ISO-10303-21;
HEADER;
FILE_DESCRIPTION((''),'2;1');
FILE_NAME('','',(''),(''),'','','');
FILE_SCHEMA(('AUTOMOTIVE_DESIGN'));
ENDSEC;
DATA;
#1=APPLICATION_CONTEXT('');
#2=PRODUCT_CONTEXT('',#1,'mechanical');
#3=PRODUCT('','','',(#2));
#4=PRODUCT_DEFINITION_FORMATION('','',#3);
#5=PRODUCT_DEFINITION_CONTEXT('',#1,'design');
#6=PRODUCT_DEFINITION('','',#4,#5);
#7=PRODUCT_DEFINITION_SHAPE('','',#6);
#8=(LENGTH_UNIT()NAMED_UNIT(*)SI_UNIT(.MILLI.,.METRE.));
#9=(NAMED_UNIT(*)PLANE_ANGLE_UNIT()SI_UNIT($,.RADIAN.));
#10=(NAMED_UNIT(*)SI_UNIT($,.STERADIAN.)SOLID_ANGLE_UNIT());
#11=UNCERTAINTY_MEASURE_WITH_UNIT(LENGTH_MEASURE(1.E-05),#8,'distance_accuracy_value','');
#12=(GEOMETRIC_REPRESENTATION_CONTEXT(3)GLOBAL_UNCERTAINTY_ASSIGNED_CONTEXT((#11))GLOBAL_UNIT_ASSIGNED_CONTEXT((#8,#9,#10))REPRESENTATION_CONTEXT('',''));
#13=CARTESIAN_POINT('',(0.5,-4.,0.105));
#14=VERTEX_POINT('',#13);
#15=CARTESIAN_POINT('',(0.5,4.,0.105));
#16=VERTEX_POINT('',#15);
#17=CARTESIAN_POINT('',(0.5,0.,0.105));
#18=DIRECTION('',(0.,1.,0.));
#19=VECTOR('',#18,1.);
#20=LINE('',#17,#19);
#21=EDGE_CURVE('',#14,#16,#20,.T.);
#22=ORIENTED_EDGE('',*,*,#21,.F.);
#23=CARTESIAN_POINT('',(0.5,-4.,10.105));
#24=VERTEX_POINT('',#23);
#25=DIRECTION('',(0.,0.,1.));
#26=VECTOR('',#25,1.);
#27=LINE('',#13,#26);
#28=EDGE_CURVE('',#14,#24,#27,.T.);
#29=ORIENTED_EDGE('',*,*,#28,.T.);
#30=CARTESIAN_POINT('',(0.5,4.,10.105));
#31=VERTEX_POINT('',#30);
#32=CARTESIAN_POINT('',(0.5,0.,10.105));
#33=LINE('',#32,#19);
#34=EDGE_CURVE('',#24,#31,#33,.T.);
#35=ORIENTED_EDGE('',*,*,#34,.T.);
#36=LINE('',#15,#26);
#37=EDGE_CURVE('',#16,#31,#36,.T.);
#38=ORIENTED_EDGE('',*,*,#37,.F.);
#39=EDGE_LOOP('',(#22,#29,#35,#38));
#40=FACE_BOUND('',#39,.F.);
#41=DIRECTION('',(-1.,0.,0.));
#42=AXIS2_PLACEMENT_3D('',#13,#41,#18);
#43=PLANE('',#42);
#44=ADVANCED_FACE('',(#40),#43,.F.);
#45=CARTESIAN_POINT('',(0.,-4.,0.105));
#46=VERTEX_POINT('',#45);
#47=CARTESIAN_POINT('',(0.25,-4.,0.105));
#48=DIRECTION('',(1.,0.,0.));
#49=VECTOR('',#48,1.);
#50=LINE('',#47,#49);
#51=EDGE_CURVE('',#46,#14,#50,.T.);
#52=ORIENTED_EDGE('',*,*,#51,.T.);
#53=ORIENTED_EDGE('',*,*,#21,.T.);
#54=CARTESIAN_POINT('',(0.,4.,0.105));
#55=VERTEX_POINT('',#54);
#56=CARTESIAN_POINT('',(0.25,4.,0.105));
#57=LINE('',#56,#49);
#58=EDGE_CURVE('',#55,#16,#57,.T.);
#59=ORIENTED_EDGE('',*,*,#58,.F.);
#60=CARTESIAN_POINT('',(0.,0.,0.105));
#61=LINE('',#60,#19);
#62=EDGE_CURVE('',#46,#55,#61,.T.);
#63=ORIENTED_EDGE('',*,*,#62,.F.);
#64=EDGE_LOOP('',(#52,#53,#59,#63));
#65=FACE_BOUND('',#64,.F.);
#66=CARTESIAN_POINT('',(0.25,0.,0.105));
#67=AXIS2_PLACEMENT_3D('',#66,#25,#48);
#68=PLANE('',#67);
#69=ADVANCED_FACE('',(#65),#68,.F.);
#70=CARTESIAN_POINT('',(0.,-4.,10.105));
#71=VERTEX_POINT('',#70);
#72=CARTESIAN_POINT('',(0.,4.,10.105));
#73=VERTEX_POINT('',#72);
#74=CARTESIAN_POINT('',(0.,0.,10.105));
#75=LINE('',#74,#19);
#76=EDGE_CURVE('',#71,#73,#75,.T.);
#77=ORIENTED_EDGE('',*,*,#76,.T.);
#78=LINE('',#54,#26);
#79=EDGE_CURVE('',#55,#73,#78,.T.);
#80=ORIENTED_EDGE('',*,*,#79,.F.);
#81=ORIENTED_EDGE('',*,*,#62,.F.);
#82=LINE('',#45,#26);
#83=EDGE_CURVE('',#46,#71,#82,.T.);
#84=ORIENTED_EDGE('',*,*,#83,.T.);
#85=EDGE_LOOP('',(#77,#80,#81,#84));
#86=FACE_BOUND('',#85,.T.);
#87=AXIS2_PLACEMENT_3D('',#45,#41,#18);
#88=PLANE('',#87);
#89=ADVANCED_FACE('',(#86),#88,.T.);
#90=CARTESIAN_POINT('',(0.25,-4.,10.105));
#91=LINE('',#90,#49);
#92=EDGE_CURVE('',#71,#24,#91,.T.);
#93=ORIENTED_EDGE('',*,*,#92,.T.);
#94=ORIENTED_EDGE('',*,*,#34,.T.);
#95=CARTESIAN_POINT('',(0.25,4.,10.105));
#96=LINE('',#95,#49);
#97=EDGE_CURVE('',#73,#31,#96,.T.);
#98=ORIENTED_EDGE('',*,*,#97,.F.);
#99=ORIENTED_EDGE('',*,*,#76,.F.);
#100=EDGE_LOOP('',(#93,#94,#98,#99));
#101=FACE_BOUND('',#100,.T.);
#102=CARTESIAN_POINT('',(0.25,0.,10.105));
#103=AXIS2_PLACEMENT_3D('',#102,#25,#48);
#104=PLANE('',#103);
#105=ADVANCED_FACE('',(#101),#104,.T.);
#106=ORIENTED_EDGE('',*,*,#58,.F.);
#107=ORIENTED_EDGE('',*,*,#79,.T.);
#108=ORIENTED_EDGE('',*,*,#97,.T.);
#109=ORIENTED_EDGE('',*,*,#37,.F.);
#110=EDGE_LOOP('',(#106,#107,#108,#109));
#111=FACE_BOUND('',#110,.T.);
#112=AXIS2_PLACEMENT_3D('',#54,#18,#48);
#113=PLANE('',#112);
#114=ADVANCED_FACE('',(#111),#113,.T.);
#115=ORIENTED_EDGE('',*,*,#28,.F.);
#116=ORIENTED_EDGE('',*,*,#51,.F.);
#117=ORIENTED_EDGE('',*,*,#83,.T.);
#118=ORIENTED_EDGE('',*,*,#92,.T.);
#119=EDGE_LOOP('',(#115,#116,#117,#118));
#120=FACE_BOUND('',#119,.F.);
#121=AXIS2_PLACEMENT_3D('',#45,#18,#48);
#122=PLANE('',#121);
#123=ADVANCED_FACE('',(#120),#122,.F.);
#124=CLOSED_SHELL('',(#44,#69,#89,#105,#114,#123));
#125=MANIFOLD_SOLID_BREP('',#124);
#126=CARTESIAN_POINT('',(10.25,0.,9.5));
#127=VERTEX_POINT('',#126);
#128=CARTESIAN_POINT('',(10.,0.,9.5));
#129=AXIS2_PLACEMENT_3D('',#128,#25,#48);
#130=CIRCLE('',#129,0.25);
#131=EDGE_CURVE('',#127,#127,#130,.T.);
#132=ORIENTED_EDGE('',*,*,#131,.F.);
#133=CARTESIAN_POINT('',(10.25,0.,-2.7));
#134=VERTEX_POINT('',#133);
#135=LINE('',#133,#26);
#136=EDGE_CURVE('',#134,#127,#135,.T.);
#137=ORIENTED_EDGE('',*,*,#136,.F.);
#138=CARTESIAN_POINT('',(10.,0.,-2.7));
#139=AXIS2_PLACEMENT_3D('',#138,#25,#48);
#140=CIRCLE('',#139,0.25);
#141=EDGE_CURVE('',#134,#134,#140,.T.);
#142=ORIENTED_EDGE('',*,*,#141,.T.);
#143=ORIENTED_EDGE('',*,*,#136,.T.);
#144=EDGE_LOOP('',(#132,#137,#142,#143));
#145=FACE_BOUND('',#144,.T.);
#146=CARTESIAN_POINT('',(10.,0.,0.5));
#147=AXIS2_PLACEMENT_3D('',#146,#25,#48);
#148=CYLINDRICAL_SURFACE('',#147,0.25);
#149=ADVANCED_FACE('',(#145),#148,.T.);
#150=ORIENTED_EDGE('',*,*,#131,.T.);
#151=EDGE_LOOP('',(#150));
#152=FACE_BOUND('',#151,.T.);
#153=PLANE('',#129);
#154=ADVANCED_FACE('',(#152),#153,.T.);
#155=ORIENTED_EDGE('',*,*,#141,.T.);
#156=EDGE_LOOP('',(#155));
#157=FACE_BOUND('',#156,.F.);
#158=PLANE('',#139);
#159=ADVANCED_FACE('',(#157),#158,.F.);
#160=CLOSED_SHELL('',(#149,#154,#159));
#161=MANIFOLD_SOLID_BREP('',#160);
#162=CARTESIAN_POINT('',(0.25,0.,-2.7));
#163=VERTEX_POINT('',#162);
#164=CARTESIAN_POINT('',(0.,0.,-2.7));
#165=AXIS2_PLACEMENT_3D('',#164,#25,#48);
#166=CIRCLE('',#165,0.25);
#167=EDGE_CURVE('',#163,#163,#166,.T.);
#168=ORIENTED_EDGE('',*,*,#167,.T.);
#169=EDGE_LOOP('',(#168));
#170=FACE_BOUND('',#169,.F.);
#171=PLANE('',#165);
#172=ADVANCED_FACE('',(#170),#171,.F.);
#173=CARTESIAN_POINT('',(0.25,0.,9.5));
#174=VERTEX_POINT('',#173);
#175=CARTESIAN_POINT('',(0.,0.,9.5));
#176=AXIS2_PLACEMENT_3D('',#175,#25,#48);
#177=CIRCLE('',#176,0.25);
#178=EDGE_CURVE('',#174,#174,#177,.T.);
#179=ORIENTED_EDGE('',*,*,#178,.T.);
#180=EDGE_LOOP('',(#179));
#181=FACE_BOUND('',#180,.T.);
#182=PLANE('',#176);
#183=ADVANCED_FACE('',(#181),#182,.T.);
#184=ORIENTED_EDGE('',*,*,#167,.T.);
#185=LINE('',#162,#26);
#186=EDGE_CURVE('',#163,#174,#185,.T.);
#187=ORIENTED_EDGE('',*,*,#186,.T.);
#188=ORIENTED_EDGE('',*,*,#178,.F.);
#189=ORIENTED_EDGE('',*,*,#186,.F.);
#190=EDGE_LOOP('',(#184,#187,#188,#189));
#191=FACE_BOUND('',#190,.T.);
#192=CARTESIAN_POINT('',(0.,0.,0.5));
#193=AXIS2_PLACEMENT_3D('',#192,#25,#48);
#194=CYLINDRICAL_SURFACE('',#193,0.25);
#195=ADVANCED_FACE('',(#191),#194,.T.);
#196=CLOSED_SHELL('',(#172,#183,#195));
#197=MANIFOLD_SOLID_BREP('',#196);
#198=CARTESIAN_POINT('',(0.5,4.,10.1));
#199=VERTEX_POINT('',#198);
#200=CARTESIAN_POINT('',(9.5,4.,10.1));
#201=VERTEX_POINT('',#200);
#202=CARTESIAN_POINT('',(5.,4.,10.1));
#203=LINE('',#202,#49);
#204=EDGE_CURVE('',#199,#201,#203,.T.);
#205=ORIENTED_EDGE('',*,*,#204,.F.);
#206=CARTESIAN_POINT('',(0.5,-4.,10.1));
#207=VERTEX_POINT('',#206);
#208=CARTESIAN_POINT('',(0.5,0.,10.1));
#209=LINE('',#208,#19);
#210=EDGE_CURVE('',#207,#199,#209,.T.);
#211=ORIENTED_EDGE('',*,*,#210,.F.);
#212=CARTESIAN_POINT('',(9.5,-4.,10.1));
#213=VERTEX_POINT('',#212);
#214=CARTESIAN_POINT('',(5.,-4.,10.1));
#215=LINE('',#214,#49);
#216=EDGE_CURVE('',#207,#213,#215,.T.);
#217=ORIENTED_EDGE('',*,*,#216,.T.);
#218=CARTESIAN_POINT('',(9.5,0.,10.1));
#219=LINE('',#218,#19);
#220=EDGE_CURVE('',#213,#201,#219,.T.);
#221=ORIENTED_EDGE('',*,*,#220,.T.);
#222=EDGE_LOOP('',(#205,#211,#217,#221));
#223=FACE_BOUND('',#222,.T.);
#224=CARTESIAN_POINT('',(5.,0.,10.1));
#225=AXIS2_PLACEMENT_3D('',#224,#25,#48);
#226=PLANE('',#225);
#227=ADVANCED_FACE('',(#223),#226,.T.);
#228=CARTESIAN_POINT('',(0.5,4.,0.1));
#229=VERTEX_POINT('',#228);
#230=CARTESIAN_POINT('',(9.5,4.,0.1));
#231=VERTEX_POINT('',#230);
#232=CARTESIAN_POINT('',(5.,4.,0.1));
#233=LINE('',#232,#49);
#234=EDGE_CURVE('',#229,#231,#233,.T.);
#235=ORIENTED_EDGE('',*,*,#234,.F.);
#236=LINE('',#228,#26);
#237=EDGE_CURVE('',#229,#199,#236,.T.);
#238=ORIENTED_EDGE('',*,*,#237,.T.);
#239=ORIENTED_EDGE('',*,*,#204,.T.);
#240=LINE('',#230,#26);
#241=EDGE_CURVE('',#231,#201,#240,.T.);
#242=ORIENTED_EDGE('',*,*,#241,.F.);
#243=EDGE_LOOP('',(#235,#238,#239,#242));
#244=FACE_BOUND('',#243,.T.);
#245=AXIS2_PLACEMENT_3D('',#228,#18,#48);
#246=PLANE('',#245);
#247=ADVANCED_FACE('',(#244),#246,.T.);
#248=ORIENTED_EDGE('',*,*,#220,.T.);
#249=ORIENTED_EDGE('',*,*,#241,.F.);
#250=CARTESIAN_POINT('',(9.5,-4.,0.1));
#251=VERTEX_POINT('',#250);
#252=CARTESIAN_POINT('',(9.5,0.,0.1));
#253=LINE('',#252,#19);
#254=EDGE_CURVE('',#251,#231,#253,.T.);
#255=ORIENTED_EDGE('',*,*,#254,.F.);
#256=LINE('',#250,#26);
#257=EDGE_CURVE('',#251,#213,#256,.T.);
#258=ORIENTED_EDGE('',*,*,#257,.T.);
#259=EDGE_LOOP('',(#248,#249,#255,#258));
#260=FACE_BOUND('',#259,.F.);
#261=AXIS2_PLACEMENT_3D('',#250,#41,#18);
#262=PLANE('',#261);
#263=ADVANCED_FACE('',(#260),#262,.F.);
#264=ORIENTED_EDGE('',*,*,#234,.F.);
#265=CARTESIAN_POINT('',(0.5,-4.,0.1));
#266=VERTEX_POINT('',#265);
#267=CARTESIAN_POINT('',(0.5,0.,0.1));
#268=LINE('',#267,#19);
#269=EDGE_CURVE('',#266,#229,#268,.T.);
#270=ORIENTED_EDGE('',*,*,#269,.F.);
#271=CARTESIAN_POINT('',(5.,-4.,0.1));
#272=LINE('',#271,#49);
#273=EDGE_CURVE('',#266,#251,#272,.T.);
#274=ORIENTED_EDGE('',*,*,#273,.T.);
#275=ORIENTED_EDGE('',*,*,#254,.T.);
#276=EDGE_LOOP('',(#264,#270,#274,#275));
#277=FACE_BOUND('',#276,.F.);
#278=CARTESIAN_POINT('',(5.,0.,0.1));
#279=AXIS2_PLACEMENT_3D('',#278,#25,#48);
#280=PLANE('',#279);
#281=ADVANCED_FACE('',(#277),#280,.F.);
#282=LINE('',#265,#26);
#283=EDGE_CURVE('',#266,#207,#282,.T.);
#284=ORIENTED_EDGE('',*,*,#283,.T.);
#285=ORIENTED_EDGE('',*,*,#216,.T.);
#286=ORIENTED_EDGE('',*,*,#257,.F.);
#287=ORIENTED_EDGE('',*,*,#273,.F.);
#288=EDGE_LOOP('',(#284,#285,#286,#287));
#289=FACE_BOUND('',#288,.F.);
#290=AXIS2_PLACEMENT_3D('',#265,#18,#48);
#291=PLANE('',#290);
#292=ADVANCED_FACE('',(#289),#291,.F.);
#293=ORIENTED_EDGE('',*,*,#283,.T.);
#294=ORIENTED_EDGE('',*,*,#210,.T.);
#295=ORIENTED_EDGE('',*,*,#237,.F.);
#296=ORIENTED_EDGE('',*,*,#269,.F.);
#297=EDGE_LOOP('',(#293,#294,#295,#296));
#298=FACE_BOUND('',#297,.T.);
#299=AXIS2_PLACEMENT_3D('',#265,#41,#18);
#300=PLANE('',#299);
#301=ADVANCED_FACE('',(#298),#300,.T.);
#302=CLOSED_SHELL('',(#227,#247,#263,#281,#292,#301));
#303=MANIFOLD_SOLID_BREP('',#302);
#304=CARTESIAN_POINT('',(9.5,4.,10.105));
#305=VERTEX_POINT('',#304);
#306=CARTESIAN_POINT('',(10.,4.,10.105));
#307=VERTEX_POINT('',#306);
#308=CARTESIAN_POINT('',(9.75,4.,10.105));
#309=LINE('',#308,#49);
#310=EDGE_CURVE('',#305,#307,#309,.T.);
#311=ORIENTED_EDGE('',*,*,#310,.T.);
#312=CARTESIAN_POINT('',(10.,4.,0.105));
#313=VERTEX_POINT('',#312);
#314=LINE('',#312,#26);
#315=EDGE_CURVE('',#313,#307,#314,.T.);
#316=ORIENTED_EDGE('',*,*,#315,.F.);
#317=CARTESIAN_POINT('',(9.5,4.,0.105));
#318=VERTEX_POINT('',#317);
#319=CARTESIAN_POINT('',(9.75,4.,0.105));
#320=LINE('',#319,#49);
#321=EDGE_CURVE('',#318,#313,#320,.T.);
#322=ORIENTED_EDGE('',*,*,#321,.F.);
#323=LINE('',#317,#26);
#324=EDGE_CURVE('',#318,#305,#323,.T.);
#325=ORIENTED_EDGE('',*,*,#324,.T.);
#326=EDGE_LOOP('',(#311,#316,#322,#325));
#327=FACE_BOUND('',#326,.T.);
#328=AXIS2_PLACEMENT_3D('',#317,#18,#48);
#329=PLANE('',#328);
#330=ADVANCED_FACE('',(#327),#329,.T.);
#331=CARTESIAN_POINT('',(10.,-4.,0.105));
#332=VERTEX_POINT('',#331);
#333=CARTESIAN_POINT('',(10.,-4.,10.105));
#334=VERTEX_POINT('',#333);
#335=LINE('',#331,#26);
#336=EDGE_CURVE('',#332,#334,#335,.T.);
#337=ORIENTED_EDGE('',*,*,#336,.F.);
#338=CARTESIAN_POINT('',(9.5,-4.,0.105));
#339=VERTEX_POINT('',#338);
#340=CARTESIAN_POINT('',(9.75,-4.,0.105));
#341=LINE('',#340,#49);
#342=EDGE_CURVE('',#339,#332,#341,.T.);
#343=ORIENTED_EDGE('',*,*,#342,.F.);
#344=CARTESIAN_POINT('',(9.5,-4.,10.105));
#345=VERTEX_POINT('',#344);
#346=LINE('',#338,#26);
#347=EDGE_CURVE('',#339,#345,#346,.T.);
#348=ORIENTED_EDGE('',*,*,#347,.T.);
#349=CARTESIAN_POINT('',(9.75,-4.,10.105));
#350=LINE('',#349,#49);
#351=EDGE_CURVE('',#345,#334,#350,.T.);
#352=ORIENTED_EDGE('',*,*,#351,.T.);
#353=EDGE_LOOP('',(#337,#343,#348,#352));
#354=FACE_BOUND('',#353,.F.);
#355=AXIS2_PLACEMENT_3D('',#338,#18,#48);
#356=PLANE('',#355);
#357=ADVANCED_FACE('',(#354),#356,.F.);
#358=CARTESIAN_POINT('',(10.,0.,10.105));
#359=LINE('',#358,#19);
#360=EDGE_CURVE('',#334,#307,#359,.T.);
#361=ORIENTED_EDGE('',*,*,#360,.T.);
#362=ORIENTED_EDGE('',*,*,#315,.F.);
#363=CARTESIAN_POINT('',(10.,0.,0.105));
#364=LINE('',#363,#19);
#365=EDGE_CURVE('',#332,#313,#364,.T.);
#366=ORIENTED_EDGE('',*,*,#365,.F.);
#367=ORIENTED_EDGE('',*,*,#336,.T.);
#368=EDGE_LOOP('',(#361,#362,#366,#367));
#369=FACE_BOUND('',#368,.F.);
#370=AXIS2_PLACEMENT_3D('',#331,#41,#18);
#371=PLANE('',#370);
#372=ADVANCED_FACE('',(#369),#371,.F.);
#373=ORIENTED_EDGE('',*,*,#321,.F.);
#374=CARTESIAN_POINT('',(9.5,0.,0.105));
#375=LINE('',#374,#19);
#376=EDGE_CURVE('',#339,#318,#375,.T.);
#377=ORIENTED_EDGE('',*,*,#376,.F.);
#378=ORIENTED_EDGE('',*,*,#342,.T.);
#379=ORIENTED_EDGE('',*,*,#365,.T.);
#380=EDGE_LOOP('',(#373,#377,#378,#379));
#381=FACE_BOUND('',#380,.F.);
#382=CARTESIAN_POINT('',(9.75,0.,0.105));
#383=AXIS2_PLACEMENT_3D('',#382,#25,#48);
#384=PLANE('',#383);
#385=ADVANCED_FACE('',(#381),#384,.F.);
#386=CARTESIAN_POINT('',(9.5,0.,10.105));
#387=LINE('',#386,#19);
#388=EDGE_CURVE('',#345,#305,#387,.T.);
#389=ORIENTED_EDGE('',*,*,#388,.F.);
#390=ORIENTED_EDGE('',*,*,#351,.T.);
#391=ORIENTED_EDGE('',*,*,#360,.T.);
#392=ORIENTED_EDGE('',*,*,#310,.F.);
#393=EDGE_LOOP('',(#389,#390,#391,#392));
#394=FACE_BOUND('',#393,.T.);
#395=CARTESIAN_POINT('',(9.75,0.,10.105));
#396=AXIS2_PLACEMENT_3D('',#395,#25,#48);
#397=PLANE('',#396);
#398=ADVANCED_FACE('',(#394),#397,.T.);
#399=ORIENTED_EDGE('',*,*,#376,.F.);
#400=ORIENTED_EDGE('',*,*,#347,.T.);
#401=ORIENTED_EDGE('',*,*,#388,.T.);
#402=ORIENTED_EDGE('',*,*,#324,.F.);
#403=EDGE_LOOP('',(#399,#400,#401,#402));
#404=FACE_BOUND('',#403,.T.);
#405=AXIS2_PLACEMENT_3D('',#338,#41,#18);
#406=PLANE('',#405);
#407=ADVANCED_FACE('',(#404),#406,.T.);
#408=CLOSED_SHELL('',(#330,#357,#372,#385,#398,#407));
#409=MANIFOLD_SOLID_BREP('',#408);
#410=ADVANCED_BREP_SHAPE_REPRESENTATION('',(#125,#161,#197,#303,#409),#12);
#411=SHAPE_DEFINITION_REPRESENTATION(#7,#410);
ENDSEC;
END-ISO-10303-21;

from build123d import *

# Parameters (mm, degrees)
SKETCH_W          = 9
SKETCH_H          = 8
PAD_DEPTH         = 10
SKETCH001_R       = 0.25
PAD001_DEPTH      = 9
PAD001_DEPTH_BACK = 3.2
SKETCH002_W       = 0.5
SKETCH002_H       = 8
PAD002_DEPTH      = 10


with BuildPart() as pad:
    # Sketch → Pad (new body)
    with BuildSketch(Plane.XY.offset(0.1)):
        with Locations((5, 0)):
            Rectangle(SKETCH_W, SKETCH_H)
    extrude(amount=PAD_DEPTH)


with BuildPart() as pad001:
    # Sketch001 → Pad001 (new body, two sides)
    with BuildSketch(Plane.XY.offset(0.5)) as pad001_sk:
        Circle(SKETCH001_R)
        with Locations((10, 0)):
            Circle(SKETCH001_R)
    extrude(amount=PAD001_DEPTH)
    extrude(pad001_sk.sketch, amount=-PAD001_DEPTH_BACK)


with BuildPart() as pad002:
    # Sketch002 → Pad002 (new body)
    with BuildSketch(Plane.XY.offset(0.105)):
        with Locations((0.25, 0)):
            Rectangle(SKETCH002_W, SKETCH002_H)
        with Locations((9.75, 0)):
            Rectangle(SKETCH002_W, SKETCH002_H)
    extrude(amount=PAD002_DEPTH)


solid = Compound([pad.part, pad001.part, pad002.part])
